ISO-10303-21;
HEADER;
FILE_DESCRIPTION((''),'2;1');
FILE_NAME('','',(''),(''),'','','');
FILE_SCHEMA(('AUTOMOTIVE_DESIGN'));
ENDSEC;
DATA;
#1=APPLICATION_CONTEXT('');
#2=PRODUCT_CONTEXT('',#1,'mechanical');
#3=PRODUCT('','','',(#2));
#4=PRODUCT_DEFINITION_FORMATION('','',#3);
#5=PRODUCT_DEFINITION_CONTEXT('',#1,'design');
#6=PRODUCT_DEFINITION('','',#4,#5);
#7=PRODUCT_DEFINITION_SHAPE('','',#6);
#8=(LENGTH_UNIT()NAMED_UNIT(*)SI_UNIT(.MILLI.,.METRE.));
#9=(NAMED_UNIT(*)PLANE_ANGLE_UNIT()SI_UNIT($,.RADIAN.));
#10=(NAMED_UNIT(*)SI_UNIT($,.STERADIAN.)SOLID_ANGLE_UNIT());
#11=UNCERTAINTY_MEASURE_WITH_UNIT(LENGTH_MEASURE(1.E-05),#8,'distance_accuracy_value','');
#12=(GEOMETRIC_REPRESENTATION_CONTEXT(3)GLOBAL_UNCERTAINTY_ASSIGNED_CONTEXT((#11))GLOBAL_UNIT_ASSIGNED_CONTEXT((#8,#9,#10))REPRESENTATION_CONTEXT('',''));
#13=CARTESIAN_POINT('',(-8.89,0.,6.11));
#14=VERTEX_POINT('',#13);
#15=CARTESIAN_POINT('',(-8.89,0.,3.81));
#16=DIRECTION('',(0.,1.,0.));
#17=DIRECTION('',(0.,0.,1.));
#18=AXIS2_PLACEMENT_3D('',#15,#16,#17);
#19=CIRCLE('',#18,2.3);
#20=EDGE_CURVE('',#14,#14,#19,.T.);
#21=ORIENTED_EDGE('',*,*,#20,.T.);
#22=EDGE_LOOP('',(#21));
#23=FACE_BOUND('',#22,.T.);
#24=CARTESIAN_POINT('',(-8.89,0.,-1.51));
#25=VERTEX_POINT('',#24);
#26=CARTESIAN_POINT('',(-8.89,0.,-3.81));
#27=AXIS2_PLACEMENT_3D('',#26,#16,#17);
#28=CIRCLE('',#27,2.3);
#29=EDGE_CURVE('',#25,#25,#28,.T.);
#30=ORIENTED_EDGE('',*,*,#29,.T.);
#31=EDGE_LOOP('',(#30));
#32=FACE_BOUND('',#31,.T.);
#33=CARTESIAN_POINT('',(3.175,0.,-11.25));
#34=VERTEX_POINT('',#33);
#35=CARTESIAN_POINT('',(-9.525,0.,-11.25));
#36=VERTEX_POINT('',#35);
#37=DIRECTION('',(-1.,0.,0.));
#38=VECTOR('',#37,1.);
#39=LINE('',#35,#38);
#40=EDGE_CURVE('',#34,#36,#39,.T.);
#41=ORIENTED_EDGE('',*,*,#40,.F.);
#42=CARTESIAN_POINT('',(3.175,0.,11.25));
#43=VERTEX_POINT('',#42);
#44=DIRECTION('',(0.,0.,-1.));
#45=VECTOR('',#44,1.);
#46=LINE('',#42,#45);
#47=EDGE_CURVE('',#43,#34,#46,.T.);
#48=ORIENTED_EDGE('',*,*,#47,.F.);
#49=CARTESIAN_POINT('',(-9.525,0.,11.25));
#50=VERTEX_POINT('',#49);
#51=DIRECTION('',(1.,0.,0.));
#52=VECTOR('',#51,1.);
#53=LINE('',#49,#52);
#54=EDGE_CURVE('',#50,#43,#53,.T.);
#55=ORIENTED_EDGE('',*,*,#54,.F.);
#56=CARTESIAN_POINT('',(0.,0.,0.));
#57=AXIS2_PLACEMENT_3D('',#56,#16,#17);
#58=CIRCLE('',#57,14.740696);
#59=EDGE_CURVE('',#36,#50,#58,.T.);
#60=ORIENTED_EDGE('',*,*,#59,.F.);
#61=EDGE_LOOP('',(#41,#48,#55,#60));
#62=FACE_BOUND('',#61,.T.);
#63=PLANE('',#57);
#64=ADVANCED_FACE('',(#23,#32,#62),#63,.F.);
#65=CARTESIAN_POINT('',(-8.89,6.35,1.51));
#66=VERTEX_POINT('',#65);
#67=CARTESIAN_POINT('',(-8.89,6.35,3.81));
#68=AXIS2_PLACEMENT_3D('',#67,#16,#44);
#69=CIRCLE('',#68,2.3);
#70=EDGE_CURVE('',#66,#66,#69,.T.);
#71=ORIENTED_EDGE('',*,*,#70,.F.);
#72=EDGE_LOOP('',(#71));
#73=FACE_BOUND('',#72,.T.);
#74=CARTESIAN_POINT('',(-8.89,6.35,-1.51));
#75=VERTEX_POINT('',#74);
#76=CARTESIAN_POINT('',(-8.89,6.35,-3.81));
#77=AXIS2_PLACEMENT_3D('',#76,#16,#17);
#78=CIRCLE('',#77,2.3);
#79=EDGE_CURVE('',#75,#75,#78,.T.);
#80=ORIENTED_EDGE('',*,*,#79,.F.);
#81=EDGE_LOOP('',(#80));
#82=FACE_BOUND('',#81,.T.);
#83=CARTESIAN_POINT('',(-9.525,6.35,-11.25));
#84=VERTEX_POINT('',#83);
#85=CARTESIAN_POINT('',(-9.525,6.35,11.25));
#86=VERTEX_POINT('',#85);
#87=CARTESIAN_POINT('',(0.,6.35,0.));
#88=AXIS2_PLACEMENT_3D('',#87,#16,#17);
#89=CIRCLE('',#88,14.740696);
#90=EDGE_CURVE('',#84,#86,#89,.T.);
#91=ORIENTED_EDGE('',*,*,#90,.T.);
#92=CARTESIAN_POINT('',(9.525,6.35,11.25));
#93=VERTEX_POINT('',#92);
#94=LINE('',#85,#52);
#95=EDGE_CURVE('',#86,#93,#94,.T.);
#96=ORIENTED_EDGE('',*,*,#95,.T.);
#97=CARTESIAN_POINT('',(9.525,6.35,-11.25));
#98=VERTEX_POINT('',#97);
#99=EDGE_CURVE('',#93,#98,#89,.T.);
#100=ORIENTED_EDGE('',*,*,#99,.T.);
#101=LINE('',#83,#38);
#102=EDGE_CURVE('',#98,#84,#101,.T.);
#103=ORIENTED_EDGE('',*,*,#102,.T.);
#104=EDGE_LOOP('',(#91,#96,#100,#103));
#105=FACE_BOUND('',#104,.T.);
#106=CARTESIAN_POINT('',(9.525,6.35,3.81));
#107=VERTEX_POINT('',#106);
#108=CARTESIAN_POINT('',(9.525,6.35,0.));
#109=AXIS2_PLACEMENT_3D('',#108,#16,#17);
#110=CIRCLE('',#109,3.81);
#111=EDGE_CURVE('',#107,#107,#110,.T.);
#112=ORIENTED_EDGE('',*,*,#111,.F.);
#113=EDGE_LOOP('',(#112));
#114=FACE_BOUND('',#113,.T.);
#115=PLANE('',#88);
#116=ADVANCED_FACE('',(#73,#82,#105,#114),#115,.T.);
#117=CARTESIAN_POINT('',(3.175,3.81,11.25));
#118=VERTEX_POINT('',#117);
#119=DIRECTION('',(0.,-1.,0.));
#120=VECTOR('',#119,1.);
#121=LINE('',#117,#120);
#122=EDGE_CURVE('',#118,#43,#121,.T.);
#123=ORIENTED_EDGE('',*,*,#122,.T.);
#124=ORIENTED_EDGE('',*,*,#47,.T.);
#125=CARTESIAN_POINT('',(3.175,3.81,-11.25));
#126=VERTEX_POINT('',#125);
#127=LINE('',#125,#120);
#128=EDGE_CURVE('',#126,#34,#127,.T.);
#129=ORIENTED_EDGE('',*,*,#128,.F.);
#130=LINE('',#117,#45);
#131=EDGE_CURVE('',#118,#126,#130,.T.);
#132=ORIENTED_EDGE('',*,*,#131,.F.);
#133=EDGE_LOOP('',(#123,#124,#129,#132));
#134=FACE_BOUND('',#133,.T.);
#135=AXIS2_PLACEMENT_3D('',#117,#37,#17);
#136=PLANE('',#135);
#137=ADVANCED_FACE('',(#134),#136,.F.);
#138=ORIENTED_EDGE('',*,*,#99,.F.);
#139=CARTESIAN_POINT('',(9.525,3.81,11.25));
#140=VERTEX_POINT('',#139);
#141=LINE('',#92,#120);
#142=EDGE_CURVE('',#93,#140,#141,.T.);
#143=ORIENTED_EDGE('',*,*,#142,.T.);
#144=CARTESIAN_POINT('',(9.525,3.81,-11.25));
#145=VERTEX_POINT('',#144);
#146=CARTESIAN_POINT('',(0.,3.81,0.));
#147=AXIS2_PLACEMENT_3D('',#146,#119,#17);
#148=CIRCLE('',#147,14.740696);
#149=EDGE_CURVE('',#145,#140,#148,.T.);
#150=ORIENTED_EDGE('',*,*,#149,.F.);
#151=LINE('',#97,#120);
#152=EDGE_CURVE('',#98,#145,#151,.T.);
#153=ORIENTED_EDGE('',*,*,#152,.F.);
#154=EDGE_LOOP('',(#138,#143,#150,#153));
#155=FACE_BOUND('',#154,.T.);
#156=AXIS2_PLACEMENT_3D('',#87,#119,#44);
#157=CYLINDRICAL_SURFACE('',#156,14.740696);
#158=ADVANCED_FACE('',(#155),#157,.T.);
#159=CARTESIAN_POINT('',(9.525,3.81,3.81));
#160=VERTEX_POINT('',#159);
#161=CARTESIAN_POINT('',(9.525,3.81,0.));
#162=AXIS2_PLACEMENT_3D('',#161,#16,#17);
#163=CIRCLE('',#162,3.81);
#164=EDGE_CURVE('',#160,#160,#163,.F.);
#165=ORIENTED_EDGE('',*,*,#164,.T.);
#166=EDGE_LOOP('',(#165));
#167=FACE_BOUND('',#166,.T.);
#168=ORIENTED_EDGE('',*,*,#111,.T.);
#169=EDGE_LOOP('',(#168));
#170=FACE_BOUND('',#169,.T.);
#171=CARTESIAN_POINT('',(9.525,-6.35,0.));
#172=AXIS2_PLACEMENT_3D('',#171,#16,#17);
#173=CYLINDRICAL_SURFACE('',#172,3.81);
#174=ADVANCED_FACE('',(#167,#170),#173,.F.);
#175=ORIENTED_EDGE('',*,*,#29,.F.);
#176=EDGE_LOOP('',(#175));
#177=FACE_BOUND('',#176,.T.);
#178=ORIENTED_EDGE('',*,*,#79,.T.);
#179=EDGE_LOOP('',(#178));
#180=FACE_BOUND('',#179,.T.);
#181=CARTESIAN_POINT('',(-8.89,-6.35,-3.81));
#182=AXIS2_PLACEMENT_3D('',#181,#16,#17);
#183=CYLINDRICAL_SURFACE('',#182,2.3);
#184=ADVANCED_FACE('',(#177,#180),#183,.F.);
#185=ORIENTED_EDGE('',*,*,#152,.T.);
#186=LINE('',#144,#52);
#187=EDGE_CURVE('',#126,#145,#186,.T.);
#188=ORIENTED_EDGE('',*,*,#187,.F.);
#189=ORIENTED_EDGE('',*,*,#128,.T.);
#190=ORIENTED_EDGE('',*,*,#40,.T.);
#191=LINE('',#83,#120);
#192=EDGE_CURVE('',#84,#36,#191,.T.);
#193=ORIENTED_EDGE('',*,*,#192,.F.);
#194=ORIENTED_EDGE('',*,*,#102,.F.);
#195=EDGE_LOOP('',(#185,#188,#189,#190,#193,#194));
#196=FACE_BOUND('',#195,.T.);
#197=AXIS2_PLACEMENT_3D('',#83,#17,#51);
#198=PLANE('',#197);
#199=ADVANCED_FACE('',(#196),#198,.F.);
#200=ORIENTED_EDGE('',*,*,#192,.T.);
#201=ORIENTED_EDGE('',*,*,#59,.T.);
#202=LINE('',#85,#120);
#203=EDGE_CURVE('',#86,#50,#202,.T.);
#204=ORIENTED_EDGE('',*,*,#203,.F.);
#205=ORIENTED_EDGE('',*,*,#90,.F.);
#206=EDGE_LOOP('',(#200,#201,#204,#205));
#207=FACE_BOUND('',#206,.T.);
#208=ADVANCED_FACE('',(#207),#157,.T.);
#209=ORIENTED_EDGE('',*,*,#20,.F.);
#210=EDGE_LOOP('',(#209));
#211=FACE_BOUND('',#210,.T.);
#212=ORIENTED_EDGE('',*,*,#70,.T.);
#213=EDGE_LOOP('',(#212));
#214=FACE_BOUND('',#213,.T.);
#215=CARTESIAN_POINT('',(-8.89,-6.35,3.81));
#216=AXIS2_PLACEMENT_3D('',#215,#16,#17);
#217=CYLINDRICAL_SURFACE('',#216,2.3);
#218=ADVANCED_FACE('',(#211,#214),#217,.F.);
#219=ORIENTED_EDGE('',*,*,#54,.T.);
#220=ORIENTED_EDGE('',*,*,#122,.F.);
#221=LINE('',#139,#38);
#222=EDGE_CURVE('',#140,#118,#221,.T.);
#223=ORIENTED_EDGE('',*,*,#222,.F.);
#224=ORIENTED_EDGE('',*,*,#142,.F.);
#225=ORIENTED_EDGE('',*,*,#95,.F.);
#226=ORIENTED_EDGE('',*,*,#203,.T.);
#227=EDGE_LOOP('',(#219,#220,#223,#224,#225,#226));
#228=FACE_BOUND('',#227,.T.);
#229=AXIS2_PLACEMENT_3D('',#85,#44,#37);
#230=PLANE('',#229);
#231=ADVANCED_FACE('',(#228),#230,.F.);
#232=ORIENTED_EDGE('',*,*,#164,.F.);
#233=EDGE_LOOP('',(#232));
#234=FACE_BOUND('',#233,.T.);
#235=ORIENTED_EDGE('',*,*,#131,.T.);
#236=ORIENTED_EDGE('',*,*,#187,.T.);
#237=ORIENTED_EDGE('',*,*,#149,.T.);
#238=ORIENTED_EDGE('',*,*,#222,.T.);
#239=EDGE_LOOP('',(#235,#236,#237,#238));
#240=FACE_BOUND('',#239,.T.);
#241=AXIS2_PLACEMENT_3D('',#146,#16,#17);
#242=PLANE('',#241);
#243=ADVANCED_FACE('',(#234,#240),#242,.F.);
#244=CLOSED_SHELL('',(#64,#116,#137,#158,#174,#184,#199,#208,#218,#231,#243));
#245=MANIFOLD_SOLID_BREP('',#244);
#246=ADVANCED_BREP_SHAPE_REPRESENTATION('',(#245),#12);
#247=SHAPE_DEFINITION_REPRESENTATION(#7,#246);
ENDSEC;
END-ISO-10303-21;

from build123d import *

# Parameters (mm, degrees)
BOSS_EXTRUDE2_DEPTH = 6.35
SKETCH4_R           = 2.3
SKETCH4_R_2         = 3.81
CUT_EXTRUDE1_DEPTH  = 12.7
CUT_EXTRUDE2_DEPTH  = 3.81


with BuildPart() as part:
    # Sketch3 → Boss-Extrude2 (new body)
    with BuildSketch(Plane(origin=(0, 0, 0), x_dir=(1, 0, 0), z_dir=(0, 1, 0))):
        with BuildLine():
            Line((-9.525, 11.25), (9.525, 11.25))
            ThreePointArc((9.525, 11.25), (14.740696218, 0), (9.525, -11.25))
            Line((9.525, -11.25), (-9.525, -11.25))
            ThreePointArc((-9.525, -11.25), (-14.740696218, 0), (-9.525, 11.25))
        make_face()
    extrude(amount=BOSS_EXTRUDE2_DEPTH)

    # Sketch4 → Cut-Extrude1 (cut)
    with BuildSketch(Plane(origin=(0, 6.35, 0), x_dir=(1, 0, 0), z_dir=(0, 1, 0))):
        with Locations((-8.89, 3.81)):
            Circle(SKETCH4_R)
        with Locations((-8.89, -3.81)):
            Circle(SKETCH4_R)
        with Locations((9.525, 0)):
            Circle(SKETCH4_R_2)
    extrude(amount=-CUT_EXTRUDE1_DEPTH, mode=Mode.SUBTRACT)

    # Sketch5 → Cut-Extrude2 (cut)
    with BuildSketch(Plane.XZ):
        with BuildLine():
            Line((9.525, 11.25), (3.175, 11.25))
            Line((3.175, 11.25), (3.175, -11.25))
            Line((3.175, -11.25), (9.525, -11.25))
            ThreePointArc((9.525, -11.25), (14.740696218, 0), (9.525, 11.25))
        make_face()
    extrude(amount=-CUT_EXTRUDE2_DEPTH, mode=Mode.SUBTRACT)


solid = part.part
